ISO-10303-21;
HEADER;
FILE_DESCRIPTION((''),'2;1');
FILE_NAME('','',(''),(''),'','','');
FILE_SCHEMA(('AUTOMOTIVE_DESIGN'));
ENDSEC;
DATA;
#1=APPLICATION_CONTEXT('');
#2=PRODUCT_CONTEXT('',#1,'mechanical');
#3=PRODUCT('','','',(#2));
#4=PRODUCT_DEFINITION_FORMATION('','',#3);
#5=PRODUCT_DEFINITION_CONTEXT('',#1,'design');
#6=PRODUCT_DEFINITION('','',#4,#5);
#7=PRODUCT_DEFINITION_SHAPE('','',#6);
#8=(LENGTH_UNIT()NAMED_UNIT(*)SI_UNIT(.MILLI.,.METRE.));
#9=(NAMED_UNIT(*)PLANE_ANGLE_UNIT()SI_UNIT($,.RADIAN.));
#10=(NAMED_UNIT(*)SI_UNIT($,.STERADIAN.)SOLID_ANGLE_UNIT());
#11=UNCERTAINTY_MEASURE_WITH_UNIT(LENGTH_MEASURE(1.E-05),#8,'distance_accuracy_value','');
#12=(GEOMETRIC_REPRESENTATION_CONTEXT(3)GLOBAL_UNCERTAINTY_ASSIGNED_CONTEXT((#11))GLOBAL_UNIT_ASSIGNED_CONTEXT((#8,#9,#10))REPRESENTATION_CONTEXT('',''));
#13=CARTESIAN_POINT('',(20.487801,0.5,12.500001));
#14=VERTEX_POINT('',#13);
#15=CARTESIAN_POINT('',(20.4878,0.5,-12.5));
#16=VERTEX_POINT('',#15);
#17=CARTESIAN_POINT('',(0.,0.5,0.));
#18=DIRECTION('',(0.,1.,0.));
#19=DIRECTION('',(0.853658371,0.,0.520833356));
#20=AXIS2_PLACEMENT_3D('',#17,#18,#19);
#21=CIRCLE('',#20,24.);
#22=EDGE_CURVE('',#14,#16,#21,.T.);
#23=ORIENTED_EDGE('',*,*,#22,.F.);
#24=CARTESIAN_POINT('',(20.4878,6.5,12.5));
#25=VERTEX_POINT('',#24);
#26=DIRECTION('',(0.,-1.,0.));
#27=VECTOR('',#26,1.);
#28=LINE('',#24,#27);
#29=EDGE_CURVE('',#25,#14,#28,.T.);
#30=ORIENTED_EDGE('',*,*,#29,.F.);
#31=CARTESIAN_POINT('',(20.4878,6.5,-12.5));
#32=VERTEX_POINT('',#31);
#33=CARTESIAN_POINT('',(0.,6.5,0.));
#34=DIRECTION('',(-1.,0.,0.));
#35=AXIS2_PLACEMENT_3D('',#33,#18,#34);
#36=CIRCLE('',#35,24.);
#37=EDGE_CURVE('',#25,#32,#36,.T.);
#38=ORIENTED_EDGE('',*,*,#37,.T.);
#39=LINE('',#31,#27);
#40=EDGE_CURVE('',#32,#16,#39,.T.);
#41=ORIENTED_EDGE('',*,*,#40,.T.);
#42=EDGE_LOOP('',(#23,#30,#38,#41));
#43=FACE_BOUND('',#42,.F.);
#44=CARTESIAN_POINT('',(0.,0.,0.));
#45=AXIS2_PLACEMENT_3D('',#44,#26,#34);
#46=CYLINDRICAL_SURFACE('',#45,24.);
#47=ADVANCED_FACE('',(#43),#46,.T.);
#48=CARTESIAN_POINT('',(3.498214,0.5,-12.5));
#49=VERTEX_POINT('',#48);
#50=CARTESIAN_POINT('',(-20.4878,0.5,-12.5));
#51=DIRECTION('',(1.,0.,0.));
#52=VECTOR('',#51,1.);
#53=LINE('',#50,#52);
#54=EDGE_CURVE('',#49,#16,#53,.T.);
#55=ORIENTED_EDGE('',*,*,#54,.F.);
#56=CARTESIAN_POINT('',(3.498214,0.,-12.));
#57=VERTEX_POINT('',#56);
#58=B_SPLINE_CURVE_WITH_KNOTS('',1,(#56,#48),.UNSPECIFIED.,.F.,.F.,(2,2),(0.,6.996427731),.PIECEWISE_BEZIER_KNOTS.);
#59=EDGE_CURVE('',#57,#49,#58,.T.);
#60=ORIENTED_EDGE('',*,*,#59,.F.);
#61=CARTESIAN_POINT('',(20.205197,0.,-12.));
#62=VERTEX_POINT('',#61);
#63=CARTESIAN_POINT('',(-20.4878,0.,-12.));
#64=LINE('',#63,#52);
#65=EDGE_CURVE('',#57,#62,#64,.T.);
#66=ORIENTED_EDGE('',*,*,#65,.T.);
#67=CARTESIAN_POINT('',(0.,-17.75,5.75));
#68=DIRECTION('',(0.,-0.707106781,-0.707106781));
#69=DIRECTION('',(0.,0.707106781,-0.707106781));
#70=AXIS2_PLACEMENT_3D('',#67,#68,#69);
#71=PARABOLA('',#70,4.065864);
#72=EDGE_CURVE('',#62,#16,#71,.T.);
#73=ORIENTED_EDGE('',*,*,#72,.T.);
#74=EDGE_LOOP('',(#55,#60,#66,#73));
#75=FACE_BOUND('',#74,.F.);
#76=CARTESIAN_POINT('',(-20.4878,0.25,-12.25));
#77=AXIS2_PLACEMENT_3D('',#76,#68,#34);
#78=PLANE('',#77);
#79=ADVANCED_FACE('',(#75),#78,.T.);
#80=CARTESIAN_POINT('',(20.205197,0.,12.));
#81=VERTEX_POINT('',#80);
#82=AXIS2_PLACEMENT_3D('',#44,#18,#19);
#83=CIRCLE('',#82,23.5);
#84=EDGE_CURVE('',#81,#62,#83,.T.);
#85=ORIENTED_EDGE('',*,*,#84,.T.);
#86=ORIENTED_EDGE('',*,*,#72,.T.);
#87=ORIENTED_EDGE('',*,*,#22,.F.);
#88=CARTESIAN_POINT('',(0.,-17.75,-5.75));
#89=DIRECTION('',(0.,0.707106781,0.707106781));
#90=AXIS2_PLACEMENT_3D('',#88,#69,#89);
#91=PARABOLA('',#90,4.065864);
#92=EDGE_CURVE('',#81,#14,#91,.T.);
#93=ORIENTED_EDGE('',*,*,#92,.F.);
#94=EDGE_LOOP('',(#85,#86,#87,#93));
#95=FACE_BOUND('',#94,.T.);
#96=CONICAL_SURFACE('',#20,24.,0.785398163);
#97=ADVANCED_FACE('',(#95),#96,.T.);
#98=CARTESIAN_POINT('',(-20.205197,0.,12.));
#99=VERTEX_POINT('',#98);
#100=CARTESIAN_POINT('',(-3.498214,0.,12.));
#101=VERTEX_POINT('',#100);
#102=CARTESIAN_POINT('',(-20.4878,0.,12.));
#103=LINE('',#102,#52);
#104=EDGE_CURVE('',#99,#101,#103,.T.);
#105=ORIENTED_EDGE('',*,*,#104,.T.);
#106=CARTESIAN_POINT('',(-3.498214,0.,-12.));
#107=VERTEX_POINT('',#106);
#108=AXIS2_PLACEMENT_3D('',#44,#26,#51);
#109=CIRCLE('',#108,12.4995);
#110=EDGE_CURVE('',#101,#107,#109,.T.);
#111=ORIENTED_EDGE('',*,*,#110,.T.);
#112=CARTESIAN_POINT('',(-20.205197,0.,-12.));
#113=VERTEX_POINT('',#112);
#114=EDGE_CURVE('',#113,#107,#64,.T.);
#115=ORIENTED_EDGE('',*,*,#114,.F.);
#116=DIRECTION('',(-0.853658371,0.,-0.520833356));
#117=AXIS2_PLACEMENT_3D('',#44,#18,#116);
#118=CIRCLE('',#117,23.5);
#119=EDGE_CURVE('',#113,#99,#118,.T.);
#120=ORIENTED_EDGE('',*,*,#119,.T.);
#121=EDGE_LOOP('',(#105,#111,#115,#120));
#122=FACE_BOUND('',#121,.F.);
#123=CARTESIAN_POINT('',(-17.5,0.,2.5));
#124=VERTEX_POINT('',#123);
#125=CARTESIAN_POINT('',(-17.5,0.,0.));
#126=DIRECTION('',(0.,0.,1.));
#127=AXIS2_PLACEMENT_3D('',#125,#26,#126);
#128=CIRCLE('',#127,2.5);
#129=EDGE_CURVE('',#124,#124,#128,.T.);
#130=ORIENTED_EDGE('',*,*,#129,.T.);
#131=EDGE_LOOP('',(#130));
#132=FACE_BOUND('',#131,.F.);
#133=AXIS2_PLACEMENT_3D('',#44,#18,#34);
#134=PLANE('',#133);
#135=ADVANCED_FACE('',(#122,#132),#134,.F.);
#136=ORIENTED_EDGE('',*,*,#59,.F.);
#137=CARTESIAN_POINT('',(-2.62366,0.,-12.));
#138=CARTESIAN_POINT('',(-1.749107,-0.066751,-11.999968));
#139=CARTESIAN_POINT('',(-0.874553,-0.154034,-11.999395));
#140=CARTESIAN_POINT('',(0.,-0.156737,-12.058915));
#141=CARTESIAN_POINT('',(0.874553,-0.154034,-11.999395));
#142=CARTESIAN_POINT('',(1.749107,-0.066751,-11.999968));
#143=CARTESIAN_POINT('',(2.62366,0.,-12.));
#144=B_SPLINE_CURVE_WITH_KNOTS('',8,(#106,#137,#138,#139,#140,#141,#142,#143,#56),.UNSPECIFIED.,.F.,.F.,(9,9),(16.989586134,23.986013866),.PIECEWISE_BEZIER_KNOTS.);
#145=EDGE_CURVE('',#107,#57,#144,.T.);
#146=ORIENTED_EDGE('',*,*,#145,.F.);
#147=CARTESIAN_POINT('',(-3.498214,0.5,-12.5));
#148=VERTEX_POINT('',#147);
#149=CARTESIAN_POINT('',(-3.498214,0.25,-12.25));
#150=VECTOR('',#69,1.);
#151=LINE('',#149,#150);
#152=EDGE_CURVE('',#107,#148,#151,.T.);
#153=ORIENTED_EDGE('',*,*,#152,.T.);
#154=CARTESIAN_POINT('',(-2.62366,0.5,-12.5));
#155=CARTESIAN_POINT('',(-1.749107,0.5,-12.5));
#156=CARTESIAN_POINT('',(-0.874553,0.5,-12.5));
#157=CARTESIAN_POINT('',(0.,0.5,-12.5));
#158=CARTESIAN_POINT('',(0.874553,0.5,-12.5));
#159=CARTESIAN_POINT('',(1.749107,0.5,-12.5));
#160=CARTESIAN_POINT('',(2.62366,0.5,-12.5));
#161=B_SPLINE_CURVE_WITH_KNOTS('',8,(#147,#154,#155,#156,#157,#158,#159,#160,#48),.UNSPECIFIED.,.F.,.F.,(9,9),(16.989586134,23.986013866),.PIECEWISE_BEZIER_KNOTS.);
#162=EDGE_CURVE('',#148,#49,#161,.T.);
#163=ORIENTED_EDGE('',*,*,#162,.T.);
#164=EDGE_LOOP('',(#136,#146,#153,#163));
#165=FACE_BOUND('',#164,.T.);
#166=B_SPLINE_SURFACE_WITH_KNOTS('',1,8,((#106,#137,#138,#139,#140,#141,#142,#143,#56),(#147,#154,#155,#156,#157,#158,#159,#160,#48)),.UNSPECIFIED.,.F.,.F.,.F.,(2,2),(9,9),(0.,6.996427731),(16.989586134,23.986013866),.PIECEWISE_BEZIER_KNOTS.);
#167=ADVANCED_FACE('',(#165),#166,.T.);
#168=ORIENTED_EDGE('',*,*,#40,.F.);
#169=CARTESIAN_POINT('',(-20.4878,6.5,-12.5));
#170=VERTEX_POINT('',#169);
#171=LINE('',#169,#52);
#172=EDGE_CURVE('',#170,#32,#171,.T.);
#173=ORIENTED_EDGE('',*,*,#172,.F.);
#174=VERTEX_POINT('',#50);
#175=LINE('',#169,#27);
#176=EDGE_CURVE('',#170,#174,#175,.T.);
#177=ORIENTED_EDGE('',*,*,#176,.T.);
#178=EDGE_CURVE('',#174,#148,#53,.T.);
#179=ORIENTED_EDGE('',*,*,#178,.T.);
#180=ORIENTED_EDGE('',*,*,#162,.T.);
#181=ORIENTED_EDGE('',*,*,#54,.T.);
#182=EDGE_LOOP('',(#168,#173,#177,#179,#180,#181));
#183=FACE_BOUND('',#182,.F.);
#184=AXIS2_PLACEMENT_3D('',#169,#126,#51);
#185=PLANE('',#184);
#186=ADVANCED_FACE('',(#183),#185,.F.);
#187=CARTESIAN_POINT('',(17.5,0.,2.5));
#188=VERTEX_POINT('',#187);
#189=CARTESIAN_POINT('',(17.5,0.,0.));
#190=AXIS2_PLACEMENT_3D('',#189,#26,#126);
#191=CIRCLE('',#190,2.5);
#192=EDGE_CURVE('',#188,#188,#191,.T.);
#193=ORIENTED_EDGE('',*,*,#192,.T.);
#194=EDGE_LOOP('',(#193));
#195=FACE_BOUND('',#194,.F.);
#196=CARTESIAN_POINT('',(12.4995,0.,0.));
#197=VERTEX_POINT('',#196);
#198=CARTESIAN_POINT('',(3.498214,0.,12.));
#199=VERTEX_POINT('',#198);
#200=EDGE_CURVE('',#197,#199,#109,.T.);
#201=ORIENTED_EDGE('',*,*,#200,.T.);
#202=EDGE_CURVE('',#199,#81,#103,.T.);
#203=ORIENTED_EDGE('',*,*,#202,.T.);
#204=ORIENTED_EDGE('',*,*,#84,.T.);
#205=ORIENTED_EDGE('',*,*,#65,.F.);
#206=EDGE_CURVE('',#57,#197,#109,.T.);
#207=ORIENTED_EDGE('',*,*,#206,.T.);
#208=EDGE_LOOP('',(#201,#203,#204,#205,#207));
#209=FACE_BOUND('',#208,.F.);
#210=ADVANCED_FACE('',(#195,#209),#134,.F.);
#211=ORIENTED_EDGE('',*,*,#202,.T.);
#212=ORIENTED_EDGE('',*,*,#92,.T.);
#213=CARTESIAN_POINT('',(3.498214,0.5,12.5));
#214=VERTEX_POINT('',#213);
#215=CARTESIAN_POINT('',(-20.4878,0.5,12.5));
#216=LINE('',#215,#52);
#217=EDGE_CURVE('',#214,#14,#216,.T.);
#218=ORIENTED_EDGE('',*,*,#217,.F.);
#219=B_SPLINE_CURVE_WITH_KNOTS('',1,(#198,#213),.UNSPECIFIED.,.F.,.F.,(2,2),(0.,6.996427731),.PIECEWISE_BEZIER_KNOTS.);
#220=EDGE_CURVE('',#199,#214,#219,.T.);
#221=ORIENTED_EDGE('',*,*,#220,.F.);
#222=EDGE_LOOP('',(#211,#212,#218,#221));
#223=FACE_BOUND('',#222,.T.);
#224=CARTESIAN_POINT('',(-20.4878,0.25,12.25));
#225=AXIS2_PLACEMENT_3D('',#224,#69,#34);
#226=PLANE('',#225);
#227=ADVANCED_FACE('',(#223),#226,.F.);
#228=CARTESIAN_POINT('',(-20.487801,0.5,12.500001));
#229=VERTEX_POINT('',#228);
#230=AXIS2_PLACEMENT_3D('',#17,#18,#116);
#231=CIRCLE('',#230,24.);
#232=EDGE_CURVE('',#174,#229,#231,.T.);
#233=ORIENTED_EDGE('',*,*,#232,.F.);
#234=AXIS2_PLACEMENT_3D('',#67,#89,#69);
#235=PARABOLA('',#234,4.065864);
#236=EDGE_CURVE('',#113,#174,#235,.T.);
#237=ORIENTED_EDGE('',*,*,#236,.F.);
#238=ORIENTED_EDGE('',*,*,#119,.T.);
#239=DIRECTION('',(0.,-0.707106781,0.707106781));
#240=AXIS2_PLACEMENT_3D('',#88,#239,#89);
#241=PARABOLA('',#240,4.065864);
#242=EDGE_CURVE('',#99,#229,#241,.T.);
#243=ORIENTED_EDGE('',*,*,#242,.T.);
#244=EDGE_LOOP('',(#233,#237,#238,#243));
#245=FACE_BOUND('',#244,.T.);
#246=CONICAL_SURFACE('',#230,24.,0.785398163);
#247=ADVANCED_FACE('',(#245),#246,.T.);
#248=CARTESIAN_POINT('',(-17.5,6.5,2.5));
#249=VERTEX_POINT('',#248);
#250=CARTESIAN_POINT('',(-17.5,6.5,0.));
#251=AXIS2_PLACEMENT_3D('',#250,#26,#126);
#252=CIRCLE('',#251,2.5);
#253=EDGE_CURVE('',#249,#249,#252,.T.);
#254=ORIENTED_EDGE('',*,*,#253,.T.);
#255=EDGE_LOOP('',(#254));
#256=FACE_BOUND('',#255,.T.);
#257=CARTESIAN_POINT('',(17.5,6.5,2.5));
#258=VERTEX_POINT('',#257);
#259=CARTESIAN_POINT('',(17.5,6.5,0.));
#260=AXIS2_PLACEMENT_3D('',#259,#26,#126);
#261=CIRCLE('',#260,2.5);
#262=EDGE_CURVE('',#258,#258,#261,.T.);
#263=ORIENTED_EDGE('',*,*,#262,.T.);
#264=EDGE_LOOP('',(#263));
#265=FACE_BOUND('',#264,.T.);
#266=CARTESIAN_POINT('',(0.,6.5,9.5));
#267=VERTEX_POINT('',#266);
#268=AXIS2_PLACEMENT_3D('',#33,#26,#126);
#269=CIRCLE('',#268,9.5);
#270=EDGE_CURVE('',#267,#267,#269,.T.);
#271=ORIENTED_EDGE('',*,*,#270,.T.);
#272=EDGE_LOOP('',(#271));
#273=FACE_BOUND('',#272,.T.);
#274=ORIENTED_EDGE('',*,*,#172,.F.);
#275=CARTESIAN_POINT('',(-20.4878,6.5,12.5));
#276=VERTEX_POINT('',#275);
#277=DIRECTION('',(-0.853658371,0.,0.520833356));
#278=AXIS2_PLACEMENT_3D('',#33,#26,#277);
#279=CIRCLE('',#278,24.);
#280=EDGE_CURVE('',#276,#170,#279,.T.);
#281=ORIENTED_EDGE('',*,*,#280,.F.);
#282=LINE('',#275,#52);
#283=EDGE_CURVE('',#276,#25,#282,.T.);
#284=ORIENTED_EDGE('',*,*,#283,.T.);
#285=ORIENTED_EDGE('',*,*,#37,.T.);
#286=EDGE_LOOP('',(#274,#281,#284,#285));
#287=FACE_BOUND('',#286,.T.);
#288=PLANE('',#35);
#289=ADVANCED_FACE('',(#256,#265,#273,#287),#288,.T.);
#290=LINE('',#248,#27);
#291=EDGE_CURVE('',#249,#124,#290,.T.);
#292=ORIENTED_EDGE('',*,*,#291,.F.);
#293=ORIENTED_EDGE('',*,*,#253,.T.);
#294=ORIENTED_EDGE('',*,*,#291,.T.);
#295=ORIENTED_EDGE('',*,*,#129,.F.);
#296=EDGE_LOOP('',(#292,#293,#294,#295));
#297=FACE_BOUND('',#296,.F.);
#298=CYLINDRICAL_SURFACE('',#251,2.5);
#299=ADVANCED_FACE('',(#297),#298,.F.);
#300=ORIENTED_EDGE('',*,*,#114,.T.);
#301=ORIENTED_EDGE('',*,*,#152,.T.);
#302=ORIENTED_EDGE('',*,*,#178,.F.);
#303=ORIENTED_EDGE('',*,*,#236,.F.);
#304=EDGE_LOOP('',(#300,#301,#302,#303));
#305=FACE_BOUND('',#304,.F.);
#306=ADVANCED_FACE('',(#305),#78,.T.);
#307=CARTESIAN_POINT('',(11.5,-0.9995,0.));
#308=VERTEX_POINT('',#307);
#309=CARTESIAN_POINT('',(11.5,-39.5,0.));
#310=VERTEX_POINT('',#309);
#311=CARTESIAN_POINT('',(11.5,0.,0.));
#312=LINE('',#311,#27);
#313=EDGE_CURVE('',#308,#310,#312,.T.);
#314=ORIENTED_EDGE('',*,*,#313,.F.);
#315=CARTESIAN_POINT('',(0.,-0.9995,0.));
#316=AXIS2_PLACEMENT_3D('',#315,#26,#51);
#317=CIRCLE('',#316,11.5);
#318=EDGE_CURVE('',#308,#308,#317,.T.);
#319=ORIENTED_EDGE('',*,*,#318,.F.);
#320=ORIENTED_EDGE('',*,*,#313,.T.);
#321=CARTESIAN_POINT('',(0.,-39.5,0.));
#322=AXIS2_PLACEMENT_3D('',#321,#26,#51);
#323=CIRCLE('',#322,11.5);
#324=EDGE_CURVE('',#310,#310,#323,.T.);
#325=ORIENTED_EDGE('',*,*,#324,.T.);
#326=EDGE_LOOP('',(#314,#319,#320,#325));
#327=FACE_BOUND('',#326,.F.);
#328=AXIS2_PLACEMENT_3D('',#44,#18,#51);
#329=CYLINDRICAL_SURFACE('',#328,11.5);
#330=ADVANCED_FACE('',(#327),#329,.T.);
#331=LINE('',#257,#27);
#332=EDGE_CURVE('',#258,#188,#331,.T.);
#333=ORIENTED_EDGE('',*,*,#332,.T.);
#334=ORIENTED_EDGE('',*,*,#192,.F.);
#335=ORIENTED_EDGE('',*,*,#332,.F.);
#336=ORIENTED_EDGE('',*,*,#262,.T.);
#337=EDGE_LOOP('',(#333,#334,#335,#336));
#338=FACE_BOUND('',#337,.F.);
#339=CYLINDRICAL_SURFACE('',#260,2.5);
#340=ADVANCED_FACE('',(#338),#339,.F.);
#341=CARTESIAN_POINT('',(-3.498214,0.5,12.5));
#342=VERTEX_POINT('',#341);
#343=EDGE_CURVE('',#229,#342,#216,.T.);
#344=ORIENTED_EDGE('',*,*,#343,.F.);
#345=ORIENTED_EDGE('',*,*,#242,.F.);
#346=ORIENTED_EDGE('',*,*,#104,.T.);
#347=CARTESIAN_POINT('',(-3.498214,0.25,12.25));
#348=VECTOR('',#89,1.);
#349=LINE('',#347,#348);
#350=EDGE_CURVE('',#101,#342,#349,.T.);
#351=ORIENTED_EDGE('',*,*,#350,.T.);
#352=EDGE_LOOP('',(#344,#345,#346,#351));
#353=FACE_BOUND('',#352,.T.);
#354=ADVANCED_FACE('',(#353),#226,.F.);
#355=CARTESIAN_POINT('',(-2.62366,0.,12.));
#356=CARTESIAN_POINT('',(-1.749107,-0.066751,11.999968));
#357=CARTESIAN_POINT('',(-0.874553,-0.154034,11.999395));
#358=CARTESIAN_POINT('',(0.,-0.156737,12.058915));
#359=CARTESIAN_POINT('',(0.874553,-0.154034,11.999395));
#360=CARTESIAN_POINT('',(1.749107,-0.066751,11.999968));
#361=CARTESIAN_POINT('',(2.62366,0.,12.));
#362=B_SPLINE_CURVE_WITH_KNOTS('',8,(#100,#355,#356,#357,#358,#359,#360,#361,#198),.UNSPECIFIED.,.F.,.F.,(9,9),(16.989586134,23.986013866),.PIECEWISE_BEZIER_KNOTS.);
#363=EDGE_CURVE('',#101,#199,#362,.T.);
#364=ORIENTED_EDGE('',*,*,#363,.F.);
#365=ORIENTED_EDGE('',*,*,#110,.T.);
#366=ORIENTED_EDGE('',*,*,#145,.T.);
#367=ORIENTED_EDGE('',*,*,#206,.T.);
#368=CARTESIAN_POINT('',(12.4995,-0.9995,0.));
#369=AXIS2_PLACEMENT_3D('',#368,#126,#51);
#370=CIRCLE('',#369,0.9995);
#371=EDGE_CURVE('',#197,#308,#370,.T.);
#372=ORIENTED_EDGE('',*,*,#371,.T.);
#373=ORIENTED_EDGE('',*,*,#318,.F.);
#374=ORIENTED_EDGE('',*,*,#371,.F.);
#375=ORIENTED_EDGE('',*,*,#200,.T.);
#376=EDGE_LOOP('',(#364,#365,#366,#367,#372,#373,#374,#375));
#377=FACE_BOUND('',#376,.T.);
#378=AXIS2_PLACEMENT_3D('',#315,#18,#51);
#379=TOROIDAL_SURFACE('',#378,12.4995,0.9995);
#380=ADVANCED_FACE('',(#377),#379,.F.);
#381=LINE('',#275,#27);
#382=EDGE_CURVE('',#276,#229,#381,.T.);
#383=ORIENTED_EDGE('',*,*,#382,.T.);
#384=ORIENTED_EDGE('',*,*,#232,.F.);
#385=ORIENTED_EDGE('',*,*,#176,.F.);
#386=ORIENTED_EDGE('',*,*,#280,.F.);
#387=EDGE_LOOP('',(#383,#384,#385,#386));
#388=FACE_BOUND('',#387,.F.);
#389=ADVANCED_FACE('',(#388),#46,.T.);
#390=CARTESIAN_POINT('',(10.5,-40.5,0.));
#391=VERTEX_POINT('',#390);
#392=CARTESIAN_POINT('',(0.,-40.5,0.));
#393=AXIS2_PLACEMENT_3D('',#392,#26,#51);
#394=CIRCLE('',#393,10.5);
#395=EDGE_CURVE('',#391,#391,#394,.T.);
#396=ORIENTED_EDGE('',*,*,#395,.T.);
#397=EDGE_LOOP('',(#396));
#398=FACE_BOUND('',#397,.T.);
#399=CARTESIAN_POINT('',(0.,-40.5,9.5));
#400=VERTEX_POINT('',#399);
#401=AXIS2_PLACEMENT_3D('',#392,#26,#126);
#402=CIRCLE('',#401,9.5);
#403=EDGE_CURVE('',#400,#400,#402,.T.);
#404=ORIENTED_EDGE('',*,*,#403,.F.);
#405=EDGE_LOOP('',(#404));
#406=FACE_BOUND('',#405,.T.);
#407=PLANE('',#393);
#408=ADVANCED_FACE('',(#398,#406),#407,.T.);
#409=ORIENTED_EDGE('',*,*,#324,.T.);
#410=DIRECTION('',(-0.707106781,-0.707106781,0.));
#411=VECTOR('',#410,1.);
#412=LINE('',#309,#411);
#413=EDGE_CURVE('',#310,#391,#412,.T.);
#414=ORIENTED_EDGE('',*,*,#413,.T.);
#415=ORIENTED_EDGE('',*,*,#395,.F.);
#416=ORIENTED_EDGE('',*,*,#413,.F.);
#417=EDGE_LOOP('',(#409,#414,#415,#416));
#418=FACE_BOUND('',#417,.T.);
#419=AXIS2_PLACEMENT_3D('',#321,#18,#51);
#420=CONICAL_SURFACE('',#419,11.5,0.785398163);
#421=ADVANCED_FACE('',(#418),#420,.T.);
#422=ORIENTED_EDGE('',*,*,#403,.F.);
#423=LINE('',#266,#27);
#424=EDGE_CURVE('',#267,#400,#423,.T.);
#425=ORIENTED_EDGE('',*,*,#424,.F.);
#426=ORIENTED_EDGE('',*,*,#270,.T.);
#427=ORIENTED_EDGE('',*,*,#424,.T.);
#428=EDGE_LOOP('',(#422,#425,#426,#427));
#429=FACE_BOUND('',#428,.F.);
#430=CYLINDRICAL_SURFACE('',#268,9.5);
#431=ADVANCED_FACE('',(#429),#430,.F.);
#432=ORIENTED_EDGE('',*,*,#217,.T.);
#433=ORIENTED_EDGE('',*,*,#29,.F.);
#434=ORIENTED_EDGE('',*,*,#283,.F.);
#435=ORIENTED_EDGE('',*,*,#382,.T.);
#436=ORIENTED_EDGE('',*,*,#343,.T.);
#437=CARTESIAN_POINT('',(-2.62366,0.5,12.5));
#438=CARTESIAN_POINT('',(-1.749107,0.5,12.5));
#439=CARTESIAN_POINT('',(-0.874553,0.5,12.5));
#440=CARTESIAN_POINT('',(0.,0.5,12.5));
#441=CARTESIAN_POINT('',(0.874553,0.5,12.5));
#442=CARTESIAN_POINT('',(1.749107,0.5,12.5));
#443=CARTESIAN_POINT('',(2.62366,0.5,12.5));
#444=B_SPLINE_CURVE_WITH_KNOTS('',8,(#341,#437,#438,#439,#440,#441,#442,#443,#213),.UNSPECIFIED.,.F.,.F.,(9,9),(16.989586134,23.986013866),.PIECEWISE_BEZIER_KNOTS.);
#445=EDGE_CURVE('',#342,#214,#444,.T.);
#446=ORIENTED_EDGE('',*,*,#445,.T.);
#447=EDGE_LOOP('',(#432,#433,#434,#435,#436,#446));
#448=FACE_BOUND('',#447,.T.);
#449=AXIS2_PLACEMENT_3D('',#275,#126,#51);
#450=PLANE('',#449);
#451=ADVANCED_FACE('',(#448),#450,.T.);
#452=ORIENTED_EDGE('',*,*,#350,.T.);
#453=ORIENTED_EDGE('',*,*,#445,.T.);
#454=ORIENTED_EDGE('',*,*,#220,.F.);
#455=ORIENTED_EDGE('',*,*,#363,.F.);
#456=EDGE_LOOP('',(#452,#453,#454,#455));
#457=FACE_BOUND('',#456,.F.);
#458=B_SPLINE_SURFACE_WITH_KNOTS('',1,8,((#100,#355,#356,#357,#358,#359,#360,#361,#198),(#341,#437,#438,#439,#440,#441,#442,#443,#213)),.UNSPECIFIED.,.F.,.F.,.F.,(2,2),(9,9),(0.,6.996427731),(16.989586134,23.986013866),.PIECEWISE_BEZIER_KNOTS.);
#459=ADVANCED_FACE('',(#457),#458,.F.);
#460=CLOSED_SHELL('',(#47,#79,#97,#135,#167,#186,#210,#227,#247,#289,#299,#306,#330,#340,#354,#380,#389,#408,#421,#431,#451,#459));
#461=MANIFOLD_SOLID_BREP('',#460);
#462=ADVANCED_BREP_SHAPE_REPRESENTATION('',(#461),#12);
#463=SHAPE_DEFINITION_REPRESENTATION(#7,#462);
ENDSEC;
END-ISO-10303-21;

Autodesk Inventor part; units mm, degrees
ref_plane "YZ Plane" through (0, 0, 0) normal (1, 0, 0) x (0, 1, 0)
ref_plane "XZ Plane" through (0, 0, 0) normal (0, 1, 0) x (-1, 0, 0)
ref_plane "XY Plane" through (0, 0, 0) normal (0, 0, 1) x (1, 0, 0)
sketch "Skizze1" plane through (0, 0, 0) normal (0, 1, 0) x (-1, 0, 0)
  circle A0 centre (0, 0) radius 24
  dimension "d0" = 48
extrude "Extrusion1" add sketch "Skizze1" along normal blind 6.5
sketch "Skizze2" plane through (0, 6.5, 0) normal (0, 1, 0) x (1, 0, 0)
  circle A0 centre (0, 0) radius 24 projected
  line L0 (-20.4878, -12.5) -> (20.4878, -12.5)
  circle A1 centre (0, 0) radius 24 projected
  line L1 (-20.4878, 12.5) -> (20.4878, 12.5)
  line L2 (-24, 0) -> (24, 0) construction
  dimension "d3" = 12.5
  dimension "d4" = 12.5
extrude "Extrusion2" cut sketch "Skizze2" against normal up to surface (6.5 mm away) contours L1 A0 | A0 L0
sketch "Skizze3" plane through (0, 0, 0) normal (0, -1, 0) x (1, 0, 0)
  circle A0 centre (0, 0) radius 11.5
  dimension "d7" = 23
extrude "Extrusion3" add sketch "Skizze3" along normal blind 40.5
sketch "Skizze4" plane through (0, 6.5, 0) normal (0, 1, 0) x (1, 0, 0)
  point P0 (0, 0)
  point P1 (0, 0)
hole "Bohrung1" at (0, 6.5, 0) direction (0, -1, 0) diameter 19 depth 47
sketch "Skizze5" plane through (0, 6.5, 0) normal (0, 1, 0) x (1, 0, 0)
  line L0 (-20.4878, -12.5) -> (20.4878, -12.5) projected
  point P0 (0, 0)
  point P1 (17.5, 0)
  point P2 (-17.5, 0)
  dimension "d25" = 12.5
  dimension "d26" = 12.5
  dimension "d27" = 17.5
  dimension "d28" = 17.5
hole "Bohrung2" at (17.5, 6.5, 0) at (-17.5, 6.5, 0) direction (0, -1, 0) diameter 5 depth 6.5
fillet "Rundung1" radius 1 1 edges at (-11.5, 0, 0)
chamfer "Fasen1" distance 1 angle 45 1 edges at (-11.5, -40.5, 0)
chamfer "Fasen2" distance 0.5 angle 45 4 edges at (0, 0, -12.5) (-24, 0, 0) (24, 0, 0) (0, 0, 12.5)
properties part number "11" material "Acetalharz, Weiß"
